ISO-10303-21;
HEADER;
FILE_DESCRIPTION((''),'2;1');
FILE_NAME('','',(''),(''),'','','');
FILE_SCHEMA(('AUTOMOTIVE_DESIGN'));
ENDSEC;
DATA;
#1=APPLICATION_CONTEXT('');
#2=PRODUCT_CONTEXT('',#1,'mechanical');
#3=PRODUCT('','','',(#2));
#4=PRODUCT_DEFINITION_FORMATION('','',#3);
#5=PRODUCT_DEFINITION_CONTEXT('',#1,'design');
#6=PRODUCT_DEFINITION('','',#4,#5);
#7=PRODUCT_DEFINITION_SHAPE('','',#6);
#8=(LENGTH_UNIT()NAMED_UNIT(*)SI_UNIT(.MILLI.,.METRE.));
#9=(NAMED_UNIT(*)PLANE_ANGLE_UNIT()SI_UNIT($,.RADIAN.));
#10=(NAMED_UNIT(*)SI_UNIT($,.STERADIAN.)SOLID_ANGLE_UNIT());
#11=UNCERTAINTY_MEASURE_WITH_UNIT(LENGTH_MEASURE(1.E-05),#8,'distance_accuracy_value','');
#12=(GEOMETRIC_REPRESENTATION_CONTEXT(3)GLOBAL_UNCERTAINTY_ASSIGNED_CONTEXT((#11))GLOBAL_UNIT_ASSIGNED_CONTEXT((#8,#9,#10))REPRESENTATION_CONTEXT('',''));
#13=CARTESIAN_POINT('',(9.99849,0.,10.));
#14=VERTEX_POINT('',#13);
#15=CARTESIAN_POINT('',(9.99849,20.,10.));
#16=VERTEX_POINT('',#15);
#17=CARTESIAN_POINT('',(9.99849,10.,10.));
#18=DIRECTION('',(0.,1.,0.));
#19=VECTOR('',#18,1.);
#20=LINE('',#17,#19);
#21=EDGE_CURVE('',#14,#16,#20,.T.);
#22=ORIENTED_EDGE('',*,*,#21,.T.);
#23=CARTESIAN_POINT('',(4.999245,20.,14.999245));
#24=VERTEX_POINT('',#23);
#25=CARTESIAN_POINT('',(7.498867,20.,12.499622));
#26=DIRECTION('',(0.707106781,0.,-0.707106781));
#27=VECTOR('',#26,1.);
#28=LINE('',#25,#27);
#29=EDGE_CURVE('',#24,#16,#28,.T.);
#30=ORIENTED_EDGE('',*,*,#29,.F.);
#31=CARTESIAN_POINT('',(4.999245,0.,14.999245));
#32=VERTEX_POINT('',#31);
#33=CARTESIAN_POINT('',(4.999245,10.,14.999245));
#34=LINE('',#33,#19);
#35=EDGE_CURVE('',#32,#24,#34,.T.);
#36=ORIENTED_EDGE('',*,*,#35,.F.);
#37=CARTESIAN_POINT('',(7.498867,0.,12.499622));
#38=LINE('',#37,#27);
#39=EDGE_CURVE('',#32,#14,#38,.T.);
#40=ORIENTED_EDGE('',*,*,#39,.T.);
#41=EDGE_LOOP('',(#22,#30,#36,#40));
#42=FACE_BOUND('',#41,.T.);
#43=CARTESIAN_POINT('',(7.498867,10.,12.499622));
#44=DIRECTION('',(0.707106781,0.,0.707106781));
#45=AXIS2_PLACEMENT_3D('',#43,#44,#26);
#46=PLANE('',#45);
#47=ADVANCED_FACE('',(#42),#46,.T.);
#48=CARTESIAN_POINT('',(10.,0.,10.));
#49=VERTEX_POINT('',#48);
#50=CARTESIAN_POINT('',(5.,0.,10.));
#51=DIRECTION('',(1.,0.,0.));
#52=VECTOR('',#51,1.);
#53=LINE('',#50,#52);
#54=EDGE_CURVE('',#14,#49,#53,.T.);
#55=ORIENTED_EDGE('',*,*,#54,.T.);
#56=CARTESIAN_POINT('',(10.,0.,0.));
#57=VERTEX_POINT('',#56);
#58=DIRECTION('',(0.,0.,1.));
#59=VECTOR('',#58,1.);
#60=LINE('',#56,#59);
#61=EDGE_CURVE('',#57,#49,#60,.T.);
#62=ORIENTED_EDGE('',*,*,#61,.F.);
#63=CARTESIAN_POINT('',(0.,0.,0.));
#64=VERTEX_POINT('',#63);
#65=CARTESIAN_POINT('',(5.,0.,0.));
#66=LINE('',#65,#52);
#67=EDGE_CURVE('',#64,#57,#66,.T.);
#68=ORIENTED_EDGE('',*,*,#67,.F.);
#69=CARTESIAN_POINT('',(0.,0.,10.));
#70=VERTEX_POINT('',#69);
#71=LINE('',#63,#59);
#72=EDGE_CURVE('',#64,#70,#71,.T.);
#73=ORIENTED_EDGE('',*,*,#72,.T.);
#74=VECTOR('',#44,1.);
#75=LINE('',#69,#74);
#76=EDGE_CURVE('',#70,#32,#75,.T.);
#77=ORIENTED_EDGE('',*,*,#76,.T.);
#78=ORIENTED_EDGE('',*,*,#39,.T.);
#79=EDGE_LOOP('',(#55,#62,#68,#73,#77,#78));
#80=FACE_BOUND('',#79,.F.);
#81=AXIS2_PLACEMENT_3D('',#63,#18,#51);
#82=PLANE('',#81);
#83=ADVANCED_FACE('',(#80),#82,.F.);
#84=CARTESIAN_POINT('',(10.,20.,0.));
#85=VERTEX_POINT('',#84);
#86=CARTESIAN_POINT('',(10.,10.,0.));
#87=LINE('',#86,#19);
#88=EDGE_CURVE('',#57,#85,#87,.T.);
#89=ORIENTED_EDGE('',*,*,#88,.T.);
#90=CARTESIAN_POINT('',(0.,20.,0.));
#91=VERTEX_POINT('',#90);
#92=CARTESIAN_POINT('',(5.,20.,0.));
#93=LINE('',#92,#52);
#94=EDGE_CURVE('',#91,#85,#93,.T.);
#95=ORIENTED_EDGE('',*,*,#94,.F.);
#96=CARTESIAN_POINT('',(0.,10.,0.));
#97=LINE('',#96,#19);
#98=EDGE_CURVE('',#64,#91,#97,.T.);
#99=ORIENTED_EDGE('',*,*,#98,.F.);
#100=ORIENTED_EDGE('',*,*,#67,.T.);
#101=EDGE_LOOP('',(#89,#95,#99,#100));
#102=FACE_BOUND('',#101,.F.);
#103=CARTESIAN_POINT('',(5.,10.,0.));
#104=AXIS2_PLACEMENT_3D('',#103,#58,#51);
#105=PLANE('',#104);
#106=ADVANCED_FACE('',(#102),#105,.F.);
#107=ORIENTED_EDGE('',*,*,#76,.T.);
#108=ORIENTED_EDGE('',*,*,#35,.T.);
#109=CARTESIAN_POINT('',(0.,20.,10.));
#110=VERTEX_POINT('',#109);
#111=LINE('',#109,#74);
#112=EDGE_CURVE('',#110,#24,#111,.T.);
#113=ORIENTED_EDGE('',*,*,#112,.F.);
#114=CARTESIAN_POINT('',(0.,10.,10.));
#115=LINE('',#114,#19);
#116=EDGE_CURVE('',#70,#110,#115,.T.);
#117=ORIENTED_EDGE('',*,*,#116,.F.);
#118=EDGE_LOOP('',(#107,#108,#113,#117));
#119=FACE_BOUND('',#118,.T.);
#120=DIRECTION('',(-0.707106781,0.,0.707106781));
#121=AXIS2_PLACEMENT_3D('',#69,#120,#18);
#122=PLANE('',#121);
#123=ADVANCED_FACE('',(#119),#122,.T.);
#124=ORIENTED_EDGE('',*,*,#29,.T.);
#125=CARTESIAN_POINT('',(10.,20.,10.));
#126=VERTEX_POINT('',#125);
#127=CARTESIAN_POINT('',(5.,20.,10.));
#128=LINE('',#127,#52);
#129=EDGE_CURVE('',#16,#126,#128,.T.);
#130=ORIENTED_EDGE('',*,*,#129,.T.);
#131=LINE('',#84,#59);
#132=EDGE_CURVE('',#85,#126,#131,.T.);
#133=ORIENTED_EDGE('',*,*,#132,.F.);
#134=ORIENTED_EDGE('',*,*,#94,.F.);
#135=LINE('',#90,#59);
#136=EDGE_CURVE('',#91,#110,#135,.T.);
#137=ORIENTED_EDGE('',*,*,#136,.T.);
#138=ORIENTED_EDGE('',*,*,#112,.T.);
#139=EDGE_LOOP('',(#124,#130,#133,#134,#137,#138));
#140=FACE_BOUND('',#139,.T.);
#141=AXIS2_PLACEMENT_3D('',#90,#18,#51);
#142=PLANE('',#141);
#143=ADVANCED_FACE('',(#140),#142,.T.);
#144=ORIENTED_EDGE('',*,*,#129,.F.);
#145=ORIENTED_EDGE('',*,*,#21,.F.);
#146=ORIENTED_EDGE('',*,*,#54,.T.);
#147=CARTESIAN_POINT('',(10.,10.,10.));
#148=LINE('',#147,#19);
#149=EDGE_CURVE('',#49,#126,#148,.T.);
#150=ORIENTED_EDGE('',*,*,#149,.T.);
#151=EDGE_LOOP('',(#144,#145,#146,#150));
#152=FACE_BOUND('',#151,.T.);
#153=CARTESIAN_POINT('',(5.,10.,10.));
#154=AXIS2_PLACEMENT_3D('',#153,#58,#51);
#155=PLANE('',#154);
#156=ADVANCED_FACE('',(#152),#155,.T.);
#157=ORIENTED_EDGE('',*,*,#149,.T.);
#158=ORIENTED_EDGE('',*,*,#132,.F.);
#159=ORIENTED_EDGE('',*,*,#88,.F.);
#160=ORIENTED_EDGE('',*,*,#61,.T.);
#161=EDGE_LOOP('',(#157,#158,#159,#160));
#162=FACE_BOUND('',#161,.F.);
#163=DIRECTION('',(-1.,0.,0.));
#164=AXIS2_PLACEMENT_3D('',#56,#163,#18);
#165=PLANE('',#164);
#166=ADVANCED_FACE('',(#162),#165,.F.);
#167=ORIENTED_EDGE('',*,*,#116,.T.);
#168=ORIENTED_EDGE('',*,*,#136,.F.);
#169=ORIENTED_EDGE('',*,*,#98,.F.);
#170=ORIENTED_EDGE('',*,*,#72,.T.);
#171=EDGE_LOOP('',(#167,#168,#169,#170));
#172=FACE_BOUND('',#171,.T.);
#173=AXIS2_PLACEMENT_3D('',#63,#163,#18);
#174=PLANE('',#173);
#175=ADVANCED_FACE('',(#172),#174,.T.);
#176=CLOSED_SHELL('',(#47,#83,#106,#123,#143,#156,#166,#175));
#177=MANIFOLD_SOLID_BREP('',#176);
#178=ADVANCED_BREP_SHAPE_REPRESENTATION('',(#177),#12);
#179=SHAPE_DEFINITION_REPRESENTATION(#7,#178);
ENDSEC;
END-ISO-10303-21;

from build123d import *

# Parameters (mm, degrees)
BOX_W                  = 10
BOX_H                  = 20
BOX_DEPTH              = 10
BOX001_W               = 7.07
BOX001_H               = 20
BOX001_DEPTH           = 7.07
BOX001_PLACEMENT_ANGLE = 45


with BuildPart() as cub:
    # Box → Box (new body)
    with BuildSketch(Plane.XY):
        with Locations((5, 10)):
            Rectangle(BOX_W, BOX_H)
    extrude(amount=BOX_DEPTH)


with BuildPart() as fusion001:
    # Box001 → Box001 (new body)
    with BuildSketch(Plane.XY):
        with Locations((3.535, 10)):
            Rectangle(BOX001_W, BOX001_H)
    extrude(amount=BOX001_DEPTH)


with BuildPart() as fusion001_1:
    # Box001 placement: moved
    add(fusion001.part.moved(Location((0, 0, 10))).rotate(Axis((0, 0, 10), (0, 1, 0)), BOX001_PLACEMENT_ANGLE))

    # Fusion: union Cub
    add(cub.part)


solid = fusion001_1.part
